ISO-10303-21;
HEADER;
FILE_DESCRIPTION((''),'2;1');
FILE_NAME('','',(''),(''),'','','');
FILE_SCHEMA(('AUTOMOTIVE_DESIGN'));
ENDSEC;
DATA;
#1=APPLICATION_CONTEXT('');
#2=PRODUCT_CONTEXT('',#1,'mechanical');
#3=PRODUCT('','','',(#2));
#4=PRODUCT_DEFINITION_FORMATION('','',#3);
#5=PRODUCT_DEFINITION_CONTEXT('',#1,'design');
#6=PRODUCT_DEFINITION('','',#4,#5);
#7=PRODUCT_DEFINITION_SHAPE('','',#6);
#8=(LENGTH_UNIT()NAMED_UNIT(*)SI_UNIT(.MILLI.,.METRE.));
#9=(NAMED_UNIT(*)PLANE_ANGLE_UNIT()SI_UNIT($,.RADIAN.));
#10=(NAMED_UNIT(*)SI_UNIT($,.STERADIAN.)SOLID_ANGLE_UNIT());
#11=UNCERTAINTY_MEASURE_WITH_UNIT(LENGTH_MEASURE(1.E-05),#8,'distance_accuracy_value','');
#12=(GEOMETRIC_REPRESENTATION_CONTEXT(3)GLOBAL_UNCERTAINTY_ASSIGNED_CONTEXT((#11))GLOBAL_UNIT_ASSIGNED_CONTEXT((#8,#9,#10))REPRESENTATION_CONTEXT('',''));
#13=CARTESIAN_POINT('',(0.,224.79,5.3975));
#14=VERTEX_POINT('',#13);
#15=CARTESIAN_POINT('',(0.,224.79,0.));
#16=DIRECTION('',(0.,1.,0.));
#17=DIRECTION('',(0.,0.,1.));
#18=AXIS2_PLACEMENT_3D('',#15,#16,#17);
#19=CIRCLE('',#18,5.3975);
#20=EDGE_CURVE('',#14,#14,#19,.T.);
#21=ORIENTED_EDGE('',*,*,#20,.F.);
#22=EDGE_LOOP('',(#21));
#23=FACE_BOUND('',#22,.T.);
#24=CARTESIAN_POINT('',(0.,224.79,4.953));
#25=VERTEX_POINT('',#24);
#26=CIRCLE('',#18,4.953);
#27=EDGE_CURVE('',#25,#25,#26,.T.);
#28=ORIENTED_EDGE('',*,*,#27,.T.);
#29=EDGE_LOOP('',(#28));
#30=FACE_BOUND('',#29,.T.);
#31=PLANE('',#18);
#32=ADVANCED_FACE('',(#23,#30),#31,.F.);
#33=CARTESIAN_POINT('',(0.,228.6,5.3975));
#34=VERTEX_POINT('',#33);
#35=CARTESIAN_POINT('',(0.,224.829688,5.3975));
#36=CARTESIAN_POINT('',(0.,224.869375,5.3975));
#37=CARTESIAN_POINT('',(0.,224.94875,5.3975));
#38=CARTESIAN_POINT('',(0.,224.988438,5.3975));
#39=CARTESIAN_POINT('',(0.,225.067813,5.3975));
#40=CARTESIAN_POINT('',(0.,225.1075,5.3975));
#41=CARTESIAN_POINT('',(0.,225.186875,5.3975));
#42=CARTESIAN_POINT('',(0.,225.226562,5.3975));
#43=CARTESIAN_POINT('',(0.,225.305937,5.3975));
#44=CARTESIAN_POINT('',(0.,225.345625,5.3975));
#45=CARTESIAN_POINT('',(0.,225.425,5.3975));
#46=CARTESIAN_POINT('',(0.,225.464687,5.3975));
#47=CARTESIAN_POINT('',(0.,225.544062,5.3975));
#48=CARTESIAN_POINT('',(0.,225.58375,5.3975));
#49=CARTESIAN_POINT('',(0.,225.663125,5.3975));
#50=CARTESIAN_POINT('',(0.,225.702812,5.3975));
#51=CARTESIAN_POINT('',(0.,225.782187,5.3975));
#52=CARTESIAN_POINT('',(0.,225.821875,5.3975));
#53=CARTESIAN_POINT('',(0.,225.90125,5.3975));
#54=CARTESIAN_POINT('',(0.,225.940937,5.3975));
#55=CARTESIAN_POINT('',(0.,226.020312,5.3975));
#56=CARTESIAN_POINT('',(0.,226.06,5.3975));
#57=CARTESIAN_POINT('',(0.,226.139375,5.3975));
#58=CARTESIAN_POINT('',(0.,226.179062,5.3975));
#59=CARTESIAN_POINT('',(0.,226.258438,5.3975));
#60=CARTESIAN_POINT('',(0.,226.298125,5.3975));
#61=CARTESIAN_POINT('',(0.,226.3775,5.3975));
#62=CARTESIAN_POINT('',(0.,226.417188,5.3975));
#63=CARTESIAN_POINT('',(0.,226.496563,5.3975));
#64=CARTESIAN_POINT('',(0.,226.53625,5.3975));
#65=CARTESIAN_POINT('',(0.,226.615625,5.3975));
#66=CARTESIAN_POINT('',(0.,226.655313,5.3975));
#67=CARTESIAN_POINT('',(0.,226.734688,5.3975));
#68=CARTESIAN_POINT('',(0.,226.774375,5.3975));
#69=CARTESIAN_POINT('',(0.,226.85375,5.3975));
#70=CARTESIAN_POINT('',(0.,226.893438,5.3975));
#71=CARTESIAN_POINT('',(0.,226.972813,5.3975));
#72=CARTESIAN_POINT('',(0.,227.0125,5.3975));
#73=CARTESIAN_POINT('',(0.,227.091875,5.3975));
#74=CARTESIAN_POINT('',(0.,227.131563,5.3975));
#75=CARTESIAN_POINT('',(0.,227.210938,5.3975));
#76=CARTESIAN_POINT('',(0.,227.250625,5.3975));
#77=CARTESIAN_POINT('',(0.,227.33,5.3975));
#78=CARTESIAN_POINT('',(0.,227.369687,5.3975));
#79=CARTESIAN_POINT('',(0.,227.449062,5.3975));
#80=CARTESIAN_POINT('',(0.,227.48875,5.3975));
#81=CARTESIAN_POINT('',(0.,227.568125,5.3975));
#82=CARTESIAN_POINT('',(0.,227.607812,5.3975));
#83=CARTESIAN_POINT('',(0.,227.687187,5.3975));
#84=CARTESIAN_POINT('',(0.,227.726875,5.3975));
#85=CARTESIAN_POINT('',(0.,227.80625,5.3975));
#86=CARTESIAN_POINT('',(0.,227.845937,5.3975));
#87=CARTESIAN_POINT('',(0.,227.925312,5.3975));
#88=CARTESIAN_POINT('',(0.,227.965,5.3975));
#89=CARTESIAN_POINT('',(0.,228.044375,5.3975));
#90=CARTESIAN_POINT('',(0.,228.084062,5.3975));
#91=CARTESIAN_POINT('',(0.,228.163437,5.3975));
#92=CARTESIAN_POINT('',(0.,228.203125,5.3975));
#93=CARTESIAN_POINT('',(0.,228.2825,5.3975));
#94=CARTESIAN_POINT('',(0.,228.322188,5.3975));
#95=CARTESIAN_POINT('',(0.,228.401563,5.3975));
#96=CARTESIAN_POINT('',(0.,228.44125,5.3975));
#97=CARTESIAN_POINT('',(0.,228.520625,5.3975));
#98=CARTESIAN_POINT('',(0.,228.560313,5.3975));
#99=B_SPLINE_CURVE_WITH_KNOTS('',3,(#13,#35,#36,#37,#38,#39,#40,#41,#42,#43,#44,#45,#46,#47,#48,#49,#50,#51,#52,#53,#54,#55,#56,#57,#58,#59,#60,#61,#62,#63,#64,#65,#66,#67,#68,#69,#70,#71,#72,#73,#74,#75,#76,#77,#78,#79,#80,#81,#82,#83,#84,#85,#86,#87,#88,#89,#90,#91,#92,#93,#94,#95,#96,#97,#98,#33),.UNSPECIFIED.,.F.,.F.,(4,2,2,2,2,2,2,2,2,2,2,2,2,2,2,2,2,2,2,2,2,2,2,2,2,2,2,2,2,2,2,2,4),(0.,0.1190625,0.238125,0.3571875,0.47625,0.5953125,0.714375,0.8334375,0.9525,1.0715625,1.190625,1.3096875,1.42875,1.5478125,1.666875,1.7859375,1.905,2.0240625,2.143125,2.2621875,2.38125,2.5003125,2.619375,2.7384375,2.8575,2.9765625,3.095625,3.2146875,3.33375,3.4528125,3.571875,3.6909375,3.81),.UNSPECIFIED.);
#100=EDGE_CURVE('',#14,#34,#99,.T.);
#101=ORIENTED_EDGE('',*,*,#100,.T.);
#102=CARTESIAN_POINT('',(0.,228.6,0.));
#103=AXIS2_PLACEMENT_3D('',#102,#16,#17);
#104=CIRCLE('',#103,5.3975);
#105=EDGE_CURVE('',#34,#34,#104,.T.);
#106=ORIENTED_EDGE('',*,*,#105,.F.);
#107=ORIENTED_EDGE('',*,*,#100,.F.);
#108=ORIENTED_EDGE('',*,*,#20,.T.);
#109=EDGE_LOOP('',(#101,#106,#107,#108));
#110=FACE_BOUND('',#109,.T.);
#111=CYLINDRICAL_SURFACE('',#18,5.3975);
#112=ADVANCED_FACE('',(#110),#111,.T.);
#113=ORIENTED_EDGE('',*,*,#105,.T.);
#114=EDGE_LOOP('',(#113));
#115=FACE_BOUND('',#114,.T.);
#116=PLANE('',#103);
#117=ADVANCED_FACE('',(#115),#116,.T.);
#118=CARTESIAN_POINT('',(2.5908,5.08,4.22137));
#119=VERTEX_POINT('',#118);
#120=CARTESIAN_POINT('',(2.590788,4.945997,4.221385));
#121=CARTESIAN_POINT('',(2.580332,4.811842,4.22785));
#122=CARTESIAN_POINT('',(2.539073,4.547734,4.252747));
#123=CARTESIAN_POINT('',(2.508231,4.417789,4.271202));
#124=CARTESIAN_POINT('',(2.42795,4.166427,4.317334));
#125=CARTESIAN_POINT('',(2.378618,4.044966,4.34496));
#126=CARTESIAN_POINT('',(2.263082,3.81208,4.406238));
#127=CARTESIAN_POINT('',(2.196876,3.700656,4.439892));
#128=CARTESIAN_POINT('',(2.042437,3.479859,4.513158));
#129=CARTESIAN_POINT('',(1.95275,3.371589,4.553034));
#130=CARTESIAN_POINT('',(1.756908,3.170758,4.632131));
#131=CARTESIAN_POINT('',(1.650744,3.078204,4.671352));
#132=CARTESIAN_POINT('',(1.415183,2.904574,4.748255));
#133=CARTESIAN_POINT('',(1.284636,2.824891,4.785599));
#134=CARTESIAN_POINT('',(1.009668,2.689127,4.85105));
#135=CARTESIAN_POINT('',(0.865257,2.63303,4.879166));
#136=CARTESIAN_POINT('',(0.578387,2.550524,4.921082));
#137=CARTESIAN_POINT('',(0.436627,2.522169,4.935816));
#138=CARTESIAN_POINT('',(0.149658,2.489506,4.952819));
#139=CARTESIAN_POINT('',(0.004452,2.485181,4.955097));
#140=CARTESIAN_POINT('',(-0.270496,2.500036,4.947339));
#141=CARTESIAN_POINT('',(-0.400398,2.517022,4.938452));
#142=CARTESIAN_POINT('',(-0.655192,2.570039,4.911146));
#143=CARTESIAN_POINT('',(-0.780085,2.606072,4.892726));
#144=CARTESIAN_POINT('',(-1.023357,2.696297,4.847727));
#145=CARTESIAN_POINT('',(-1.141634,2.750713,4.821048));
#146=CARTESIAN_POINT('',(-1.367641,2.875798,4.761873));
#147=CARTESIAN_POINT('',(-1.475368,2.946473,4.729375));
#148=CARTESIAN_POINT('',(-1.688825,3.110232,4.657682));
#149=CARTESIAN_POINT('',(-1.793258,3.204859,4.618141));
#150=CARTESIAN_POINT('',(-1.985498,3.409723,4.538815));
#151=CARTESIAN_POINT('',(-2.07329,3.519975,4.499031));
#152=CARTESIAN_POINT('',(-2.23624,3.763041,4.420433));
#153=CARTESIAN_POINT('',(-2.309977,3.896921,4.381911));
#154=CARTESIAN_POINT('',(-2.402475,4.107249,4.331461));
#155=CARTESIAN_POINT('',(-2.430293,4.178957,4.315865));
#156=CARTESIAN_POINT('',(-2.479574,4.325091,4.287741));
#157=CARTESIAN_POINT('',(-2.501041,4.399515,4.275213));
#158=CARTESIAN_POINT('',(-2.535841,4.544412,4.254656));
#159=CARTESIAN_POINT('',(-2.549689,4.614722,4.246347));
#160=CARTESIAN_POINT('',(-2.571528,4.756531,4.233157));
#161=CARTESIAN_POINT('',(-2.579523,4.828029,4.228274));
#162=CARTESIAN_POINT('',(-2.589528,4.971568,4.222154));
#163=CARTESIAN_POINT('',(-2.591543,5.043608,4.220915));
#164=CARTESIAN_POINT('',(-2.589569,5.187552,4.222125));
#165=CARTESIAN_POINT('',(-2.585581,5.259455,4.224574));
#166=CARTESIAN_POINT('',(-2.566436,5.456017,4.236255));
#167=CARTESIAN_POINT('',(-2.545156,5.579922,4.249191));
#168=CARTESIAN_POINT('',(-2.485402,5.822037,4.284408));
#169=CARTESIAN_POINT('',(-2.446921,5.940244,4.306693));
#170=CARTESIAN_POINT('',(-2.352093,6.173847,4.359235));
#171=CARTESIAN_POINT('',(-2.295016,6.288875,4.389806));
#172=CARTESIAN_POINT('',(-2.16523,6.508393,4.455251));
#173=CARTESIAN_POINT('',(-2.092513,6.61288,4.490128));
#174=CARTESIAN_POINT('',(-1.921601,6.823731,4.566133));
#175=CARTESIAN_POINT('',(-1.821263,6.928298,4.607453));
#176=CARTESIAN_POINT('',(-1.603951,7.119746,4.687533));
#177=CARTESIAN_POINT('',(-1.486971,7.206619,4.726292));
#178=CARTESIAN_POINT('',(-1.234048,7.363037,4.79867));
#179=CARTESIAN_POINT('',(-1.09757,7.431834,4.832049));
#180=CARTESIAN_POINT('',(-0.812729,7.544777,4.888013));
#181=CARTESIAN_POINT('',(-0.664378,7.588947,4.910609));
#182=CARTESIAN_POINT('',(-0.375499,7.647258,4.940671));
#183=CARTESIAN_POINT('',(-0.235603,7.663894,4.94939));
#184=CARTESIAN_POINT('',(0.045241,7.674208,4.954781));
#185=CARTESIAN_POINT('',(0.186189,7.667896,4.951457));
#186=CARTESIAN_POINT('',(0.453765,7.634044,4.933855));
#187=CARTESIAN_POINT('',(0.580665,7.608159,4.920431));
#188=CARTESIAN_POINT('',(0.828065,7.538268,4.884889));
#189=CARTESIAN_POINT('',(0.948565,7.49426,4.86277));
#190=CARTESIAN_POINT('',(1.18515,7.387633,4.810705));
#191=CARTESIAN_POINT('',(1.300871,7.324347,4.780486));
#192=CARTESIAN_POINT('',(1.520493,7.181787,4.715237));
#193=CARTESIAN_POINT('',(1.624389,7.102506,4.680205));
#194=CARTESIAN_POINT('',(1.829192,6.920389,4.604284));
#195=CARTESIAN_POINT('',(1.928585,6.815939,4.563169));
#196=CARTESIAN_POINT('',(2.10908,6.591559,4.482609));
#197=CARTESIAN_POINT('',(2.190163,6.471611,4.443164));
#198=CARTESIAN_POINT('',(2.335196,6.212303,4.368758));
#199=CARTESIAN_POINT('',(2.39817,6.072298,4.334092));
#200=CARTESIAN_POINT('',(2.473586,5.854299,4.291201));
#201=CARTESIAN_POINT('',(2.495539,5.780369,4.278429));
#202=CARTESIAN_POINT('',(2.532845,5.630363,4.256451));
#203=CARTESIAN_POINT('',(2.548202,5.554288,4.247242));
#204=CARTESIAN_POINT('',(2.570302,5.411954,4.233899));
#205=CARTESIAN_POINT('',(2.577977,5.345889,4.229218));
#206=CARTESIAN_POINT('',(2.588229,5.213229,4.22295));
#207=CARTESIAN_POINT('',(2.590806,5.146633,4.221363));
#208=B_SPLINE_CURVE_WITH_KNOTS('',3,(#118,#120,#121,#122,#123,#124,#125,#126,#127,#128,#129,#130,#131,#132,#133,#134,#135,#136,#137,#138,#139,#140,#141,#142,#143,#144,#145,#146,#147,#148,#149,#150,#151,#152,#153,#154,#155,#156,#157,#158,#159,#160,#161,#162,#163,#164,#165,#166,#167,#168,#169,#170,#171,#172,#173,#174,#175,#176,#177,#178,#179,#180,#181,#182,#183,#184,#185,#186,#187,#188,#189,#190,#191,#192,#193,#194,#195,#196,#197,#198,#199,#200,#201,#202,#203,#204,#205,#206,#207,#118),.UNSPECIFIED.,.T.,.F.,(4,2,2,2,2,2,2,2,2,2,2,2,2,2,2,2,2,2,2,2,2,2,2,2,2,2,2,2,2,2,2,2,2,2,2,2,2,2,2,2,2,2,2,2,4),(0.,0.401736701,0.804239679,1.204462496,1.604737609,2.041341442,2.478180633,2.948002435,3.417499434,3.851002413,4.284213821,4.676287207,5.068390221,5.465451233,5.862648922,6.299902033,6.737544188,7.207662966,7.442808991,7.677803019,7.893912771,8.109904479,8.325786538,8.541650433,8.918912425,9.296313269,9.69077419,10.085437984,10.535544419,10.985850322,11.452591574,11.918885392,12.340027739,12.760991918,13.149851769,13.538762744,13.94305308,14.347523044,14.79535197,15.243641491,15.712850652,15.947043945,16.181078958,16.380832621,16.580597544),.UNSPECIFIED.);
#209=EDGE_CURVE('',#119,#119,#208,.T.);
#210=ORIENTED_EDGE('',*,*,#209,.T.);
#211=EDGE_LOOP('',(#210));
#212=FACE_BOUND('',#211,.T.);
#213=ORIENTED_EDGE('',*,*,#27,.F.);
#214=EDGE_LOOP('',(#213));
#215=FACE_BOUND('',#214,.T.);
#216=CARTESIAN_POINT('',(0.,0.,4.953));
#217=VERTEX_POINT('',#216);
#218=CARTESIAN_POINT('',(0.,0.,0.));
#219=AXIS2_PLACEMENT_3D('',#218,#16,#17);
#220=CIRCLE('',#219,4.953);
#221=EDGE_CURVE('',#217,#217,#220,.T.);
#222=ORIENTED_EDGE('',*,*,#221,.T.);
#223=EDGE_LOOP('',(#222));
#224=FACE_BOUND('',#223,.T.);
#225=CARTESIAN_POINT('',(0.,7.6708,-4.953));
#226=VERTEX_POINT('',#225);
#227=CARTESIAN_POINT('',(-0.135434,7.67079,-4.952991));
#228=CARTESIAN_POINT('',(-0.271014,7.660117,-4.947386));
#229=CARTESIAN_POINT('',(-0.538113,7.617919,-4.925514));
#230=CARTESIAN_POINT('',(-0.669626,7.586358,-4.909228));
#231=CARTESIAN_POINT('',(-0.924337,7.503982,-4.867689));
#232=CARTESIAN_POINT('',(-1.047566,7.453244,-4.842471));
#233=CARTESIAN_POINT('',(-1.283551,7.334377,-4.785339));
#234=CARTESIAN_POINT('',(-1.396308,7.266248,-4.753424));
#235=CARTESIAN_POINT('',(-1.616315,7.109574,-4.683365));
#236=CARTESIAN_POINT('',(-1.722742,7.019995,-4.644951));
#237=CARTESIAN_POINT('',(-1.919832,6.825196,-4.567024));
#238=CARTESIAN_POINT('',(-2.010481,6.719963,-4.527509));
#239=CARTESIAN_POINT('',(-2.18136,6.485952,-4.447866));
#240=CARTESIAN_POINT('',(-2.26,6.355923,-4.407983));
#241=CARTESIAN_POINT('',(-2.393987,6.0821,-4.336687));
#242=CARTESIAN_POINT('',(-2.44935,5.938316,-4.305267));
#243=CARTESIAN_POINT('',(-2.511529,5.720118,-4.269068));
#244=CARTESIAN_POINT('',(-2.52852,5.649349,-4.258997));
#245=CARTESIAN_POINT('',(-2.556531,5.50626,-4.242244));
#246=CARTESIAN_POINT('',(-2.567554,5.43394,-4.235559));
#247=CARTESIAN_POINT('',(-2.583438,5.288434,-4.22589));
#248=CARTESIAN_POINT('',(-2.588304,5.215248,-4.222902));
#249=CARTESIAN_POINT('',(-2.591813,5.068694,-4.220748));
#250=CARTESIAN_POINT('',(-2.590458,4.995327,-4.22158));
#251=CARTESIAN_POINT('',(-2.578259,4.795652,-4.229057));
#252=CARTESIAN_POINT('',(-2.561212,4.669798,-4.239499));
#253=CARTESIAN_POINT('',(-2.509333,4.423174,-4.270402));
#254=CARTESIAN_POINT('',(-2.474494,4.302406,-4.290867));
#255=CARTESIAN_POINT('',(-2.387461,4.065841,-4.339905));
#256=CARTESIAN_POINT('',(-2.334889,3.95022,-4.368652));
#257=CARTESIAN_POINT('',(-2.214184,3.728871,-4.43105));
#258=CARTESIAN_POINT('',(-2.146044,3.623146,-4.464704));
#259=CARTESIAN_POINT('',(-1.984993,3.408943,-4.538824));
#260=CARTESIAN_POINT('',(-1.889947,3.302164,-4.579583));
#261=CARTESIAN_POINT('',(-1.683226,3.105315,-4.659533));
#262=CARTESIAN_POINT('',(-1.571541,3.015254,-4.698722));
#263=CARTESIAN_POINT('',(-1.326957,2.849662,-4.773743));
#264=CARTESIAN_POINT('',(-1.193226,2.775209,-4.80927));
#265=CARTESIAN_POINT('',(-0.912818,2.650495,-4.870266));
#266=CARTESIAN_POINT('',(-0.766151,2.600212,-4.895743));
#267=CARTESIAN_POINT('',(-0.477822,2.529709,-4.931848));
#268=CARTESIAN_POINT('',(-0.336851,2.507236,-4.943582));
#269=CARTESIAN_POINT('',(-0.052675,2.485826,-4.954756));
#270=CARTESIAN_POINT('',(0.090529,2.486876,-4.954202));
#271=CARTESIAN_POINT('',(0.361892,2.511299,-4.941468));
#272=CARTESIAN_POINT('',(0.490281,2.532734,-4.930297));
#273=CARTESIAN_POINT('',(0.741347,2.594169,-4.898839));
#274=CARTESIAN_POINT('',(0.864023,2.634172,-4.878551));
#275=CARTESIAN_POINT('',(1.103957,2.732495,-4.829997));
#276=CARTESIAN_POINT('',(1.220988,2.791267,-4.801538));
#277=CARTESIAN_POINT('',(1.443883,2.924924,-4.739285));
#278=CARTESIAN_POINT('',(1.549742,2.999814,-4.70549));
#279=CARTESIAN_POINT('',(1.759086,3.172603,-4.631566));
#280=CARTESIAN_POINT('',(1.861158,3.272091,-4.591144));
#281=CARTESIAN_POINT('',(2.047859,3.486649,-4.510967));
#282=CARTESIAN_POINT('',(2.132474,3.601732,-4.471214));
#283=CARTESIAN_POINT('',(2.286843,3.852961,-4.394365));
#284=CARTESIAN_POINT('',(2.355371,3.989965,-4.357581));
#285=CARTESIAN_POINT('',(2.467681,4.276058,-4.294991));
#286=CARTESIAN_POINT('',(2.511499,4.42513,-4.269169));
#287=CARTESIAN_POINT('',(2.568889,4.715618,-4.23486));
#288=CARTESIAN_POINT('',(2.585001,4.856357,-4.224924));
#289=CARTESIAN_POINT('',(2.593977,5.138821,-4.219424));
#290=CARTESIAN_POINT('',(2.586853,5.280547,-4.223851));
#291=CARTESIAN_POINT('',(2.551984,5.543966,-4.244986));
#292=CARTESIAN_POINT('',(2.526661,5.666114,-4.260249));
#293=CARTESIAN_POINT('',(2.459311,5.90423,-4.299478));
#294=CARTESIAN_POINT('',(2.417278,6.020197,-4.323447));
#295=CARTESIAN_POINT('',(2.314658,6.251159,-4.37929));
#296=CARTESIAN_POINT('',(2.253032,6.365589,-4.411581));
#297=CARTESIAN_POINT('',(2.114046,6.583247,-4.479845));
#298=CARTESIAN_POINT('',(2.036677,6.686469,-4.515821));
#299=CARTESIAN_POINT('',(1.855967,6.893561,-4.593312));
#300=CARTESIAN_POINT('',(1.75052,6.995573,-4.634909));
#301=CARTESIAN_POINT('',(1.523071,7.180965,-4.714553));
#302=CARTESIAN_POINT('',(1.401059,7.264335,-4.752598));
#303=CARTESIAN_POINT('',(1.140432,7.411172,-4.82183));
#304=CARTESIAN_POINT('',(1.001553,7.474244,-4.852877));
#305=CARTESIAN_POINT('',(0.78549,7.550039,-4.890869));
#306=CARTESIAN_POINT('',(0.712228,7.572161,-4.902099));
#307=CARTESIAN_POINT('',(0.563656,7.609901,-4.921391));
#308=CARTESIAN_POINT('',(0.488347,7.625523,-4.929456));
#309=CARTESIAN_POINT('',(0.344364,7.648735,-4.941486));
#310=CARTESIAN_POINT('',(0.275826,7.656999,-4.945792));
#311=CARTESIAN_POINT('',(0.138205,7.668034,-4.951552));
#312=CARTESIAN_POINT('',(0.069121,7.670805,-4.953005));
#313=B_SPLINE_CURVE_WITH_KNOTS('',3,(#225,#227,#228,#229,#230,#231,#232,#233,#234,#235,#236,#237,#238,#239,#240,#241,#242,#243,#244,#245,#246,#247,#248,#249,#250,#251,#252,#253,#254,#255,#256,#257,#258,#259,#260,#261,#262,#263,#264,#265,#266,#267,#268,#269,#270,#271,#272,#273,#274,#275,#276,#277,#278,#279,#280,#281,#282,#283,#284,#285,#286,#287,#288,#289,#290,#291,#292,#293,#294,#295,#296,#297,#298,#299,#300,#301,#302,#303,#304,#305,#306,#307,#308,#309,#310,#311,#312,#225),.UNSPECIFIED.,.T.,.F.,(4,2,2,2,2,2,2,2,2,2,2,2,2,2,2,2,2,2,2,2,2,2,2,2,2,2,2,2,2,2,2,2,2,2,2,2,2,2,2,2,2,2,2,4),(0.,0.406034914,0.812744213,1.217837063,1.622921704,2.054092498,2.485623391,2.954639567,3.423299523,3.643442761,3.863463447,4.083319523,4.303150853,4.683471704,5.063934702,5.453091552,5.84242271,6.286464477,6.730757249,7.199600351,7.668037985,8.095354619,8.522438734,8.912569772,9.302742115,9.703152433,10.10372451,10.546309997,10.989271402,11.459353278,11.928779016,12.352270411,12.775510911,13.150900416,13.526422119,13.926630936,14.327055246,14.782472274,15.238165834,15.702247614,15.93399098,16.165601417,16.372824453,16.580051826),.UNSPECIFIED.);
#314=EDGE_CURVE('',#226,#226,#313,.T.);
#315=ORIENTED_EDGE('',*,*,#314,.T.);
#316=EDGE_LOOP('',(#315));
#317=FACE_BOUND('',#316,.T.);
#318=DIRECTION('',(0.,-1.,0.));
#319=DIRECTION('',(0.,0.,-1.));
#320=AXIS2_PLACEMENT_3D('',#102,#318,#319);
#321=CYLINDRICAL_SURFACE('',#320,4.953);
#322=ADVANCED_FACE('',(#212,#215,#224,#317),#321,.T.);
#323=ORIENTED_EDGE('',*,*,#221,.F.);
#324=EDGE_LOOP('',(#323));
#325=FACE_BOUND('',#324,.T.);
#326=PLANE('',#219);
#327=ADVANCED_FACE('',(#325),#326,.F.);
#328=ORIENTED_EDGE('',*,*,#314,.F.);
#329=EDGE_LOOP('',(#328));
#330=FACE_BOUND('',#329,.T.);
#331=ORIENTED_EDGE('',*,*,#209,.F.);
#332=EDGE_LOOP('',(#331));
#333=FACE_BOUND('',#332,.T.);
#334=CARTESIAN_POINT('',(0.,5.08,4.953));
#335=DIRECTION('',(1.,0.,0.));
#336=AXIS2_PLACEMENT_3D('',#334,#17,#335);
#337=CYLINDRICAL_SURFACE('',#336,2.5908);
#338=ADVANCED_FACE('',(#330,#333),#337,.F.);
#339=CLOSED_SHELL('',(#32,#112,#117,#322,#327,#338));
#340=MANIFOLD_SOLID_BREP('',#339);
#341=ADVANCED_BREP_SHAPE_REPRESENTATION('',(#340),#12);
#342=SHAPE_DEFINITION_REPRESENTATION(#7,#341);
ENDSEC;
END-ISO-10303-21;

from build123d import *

# Parameters (mm, degrees)
SKETCH1_R                  = 4.953
BOSS_EXTRUDE1_DEPTH        = 228.6
BOSS_EXTRUDE2_START        = -3.81
SKETCH2_R                  = 5.3975
SKETCH2_R_2                = 4.953
BOSS_EXTRUDE2_DEPTH        = 3.81
F_6_0_204_DIAMETER_HOLE1_D = 5.1816


with BuildPart() as part:
    # Sketch1 → Boss-Extrude1 (new body)
    with BuildSketch(Plane(origin=(0, 0, 0), x_dir=(1, 0, 0), z_dir=(0, 1, 0))):
        with Locations(Location((0, 0, 0), (0, 0, 270))):
            Circle(SKETCH1_R)
    extrude(amount=BOSS_EXTRUDE1_DEPTH)

    # Sketch2 → Boss-Extrude2 (add)
    with BuildSketch(Plane(origin=(0, 228.6, 0), x_dir=(1, 0, 0), z_dir=(0, 1, 0)).offset(BOSS_EXTRUDE2_START)):
        with Locations(Location((0, 0, 0), (0, 0, 270))):
            Circle(SKETCH2_R)
        with Locations(Location((0, 0, 0), (0, 0, 270))):
            Circle(SKETCH2_R_2, mode=Mode.SUBTRACT)
    extrude(amount=BOSS_EXTRUDE2_DEPTH)

    # #6 (0.204) Diameter Hole1 (through all)
    with Locations(Plane.XY.offset(4.953)):
        with Locations((0, 5.08)):
            Hole(F_6_0_204_DIAMETER_HOLE1_D / 2)


solid = part.part
